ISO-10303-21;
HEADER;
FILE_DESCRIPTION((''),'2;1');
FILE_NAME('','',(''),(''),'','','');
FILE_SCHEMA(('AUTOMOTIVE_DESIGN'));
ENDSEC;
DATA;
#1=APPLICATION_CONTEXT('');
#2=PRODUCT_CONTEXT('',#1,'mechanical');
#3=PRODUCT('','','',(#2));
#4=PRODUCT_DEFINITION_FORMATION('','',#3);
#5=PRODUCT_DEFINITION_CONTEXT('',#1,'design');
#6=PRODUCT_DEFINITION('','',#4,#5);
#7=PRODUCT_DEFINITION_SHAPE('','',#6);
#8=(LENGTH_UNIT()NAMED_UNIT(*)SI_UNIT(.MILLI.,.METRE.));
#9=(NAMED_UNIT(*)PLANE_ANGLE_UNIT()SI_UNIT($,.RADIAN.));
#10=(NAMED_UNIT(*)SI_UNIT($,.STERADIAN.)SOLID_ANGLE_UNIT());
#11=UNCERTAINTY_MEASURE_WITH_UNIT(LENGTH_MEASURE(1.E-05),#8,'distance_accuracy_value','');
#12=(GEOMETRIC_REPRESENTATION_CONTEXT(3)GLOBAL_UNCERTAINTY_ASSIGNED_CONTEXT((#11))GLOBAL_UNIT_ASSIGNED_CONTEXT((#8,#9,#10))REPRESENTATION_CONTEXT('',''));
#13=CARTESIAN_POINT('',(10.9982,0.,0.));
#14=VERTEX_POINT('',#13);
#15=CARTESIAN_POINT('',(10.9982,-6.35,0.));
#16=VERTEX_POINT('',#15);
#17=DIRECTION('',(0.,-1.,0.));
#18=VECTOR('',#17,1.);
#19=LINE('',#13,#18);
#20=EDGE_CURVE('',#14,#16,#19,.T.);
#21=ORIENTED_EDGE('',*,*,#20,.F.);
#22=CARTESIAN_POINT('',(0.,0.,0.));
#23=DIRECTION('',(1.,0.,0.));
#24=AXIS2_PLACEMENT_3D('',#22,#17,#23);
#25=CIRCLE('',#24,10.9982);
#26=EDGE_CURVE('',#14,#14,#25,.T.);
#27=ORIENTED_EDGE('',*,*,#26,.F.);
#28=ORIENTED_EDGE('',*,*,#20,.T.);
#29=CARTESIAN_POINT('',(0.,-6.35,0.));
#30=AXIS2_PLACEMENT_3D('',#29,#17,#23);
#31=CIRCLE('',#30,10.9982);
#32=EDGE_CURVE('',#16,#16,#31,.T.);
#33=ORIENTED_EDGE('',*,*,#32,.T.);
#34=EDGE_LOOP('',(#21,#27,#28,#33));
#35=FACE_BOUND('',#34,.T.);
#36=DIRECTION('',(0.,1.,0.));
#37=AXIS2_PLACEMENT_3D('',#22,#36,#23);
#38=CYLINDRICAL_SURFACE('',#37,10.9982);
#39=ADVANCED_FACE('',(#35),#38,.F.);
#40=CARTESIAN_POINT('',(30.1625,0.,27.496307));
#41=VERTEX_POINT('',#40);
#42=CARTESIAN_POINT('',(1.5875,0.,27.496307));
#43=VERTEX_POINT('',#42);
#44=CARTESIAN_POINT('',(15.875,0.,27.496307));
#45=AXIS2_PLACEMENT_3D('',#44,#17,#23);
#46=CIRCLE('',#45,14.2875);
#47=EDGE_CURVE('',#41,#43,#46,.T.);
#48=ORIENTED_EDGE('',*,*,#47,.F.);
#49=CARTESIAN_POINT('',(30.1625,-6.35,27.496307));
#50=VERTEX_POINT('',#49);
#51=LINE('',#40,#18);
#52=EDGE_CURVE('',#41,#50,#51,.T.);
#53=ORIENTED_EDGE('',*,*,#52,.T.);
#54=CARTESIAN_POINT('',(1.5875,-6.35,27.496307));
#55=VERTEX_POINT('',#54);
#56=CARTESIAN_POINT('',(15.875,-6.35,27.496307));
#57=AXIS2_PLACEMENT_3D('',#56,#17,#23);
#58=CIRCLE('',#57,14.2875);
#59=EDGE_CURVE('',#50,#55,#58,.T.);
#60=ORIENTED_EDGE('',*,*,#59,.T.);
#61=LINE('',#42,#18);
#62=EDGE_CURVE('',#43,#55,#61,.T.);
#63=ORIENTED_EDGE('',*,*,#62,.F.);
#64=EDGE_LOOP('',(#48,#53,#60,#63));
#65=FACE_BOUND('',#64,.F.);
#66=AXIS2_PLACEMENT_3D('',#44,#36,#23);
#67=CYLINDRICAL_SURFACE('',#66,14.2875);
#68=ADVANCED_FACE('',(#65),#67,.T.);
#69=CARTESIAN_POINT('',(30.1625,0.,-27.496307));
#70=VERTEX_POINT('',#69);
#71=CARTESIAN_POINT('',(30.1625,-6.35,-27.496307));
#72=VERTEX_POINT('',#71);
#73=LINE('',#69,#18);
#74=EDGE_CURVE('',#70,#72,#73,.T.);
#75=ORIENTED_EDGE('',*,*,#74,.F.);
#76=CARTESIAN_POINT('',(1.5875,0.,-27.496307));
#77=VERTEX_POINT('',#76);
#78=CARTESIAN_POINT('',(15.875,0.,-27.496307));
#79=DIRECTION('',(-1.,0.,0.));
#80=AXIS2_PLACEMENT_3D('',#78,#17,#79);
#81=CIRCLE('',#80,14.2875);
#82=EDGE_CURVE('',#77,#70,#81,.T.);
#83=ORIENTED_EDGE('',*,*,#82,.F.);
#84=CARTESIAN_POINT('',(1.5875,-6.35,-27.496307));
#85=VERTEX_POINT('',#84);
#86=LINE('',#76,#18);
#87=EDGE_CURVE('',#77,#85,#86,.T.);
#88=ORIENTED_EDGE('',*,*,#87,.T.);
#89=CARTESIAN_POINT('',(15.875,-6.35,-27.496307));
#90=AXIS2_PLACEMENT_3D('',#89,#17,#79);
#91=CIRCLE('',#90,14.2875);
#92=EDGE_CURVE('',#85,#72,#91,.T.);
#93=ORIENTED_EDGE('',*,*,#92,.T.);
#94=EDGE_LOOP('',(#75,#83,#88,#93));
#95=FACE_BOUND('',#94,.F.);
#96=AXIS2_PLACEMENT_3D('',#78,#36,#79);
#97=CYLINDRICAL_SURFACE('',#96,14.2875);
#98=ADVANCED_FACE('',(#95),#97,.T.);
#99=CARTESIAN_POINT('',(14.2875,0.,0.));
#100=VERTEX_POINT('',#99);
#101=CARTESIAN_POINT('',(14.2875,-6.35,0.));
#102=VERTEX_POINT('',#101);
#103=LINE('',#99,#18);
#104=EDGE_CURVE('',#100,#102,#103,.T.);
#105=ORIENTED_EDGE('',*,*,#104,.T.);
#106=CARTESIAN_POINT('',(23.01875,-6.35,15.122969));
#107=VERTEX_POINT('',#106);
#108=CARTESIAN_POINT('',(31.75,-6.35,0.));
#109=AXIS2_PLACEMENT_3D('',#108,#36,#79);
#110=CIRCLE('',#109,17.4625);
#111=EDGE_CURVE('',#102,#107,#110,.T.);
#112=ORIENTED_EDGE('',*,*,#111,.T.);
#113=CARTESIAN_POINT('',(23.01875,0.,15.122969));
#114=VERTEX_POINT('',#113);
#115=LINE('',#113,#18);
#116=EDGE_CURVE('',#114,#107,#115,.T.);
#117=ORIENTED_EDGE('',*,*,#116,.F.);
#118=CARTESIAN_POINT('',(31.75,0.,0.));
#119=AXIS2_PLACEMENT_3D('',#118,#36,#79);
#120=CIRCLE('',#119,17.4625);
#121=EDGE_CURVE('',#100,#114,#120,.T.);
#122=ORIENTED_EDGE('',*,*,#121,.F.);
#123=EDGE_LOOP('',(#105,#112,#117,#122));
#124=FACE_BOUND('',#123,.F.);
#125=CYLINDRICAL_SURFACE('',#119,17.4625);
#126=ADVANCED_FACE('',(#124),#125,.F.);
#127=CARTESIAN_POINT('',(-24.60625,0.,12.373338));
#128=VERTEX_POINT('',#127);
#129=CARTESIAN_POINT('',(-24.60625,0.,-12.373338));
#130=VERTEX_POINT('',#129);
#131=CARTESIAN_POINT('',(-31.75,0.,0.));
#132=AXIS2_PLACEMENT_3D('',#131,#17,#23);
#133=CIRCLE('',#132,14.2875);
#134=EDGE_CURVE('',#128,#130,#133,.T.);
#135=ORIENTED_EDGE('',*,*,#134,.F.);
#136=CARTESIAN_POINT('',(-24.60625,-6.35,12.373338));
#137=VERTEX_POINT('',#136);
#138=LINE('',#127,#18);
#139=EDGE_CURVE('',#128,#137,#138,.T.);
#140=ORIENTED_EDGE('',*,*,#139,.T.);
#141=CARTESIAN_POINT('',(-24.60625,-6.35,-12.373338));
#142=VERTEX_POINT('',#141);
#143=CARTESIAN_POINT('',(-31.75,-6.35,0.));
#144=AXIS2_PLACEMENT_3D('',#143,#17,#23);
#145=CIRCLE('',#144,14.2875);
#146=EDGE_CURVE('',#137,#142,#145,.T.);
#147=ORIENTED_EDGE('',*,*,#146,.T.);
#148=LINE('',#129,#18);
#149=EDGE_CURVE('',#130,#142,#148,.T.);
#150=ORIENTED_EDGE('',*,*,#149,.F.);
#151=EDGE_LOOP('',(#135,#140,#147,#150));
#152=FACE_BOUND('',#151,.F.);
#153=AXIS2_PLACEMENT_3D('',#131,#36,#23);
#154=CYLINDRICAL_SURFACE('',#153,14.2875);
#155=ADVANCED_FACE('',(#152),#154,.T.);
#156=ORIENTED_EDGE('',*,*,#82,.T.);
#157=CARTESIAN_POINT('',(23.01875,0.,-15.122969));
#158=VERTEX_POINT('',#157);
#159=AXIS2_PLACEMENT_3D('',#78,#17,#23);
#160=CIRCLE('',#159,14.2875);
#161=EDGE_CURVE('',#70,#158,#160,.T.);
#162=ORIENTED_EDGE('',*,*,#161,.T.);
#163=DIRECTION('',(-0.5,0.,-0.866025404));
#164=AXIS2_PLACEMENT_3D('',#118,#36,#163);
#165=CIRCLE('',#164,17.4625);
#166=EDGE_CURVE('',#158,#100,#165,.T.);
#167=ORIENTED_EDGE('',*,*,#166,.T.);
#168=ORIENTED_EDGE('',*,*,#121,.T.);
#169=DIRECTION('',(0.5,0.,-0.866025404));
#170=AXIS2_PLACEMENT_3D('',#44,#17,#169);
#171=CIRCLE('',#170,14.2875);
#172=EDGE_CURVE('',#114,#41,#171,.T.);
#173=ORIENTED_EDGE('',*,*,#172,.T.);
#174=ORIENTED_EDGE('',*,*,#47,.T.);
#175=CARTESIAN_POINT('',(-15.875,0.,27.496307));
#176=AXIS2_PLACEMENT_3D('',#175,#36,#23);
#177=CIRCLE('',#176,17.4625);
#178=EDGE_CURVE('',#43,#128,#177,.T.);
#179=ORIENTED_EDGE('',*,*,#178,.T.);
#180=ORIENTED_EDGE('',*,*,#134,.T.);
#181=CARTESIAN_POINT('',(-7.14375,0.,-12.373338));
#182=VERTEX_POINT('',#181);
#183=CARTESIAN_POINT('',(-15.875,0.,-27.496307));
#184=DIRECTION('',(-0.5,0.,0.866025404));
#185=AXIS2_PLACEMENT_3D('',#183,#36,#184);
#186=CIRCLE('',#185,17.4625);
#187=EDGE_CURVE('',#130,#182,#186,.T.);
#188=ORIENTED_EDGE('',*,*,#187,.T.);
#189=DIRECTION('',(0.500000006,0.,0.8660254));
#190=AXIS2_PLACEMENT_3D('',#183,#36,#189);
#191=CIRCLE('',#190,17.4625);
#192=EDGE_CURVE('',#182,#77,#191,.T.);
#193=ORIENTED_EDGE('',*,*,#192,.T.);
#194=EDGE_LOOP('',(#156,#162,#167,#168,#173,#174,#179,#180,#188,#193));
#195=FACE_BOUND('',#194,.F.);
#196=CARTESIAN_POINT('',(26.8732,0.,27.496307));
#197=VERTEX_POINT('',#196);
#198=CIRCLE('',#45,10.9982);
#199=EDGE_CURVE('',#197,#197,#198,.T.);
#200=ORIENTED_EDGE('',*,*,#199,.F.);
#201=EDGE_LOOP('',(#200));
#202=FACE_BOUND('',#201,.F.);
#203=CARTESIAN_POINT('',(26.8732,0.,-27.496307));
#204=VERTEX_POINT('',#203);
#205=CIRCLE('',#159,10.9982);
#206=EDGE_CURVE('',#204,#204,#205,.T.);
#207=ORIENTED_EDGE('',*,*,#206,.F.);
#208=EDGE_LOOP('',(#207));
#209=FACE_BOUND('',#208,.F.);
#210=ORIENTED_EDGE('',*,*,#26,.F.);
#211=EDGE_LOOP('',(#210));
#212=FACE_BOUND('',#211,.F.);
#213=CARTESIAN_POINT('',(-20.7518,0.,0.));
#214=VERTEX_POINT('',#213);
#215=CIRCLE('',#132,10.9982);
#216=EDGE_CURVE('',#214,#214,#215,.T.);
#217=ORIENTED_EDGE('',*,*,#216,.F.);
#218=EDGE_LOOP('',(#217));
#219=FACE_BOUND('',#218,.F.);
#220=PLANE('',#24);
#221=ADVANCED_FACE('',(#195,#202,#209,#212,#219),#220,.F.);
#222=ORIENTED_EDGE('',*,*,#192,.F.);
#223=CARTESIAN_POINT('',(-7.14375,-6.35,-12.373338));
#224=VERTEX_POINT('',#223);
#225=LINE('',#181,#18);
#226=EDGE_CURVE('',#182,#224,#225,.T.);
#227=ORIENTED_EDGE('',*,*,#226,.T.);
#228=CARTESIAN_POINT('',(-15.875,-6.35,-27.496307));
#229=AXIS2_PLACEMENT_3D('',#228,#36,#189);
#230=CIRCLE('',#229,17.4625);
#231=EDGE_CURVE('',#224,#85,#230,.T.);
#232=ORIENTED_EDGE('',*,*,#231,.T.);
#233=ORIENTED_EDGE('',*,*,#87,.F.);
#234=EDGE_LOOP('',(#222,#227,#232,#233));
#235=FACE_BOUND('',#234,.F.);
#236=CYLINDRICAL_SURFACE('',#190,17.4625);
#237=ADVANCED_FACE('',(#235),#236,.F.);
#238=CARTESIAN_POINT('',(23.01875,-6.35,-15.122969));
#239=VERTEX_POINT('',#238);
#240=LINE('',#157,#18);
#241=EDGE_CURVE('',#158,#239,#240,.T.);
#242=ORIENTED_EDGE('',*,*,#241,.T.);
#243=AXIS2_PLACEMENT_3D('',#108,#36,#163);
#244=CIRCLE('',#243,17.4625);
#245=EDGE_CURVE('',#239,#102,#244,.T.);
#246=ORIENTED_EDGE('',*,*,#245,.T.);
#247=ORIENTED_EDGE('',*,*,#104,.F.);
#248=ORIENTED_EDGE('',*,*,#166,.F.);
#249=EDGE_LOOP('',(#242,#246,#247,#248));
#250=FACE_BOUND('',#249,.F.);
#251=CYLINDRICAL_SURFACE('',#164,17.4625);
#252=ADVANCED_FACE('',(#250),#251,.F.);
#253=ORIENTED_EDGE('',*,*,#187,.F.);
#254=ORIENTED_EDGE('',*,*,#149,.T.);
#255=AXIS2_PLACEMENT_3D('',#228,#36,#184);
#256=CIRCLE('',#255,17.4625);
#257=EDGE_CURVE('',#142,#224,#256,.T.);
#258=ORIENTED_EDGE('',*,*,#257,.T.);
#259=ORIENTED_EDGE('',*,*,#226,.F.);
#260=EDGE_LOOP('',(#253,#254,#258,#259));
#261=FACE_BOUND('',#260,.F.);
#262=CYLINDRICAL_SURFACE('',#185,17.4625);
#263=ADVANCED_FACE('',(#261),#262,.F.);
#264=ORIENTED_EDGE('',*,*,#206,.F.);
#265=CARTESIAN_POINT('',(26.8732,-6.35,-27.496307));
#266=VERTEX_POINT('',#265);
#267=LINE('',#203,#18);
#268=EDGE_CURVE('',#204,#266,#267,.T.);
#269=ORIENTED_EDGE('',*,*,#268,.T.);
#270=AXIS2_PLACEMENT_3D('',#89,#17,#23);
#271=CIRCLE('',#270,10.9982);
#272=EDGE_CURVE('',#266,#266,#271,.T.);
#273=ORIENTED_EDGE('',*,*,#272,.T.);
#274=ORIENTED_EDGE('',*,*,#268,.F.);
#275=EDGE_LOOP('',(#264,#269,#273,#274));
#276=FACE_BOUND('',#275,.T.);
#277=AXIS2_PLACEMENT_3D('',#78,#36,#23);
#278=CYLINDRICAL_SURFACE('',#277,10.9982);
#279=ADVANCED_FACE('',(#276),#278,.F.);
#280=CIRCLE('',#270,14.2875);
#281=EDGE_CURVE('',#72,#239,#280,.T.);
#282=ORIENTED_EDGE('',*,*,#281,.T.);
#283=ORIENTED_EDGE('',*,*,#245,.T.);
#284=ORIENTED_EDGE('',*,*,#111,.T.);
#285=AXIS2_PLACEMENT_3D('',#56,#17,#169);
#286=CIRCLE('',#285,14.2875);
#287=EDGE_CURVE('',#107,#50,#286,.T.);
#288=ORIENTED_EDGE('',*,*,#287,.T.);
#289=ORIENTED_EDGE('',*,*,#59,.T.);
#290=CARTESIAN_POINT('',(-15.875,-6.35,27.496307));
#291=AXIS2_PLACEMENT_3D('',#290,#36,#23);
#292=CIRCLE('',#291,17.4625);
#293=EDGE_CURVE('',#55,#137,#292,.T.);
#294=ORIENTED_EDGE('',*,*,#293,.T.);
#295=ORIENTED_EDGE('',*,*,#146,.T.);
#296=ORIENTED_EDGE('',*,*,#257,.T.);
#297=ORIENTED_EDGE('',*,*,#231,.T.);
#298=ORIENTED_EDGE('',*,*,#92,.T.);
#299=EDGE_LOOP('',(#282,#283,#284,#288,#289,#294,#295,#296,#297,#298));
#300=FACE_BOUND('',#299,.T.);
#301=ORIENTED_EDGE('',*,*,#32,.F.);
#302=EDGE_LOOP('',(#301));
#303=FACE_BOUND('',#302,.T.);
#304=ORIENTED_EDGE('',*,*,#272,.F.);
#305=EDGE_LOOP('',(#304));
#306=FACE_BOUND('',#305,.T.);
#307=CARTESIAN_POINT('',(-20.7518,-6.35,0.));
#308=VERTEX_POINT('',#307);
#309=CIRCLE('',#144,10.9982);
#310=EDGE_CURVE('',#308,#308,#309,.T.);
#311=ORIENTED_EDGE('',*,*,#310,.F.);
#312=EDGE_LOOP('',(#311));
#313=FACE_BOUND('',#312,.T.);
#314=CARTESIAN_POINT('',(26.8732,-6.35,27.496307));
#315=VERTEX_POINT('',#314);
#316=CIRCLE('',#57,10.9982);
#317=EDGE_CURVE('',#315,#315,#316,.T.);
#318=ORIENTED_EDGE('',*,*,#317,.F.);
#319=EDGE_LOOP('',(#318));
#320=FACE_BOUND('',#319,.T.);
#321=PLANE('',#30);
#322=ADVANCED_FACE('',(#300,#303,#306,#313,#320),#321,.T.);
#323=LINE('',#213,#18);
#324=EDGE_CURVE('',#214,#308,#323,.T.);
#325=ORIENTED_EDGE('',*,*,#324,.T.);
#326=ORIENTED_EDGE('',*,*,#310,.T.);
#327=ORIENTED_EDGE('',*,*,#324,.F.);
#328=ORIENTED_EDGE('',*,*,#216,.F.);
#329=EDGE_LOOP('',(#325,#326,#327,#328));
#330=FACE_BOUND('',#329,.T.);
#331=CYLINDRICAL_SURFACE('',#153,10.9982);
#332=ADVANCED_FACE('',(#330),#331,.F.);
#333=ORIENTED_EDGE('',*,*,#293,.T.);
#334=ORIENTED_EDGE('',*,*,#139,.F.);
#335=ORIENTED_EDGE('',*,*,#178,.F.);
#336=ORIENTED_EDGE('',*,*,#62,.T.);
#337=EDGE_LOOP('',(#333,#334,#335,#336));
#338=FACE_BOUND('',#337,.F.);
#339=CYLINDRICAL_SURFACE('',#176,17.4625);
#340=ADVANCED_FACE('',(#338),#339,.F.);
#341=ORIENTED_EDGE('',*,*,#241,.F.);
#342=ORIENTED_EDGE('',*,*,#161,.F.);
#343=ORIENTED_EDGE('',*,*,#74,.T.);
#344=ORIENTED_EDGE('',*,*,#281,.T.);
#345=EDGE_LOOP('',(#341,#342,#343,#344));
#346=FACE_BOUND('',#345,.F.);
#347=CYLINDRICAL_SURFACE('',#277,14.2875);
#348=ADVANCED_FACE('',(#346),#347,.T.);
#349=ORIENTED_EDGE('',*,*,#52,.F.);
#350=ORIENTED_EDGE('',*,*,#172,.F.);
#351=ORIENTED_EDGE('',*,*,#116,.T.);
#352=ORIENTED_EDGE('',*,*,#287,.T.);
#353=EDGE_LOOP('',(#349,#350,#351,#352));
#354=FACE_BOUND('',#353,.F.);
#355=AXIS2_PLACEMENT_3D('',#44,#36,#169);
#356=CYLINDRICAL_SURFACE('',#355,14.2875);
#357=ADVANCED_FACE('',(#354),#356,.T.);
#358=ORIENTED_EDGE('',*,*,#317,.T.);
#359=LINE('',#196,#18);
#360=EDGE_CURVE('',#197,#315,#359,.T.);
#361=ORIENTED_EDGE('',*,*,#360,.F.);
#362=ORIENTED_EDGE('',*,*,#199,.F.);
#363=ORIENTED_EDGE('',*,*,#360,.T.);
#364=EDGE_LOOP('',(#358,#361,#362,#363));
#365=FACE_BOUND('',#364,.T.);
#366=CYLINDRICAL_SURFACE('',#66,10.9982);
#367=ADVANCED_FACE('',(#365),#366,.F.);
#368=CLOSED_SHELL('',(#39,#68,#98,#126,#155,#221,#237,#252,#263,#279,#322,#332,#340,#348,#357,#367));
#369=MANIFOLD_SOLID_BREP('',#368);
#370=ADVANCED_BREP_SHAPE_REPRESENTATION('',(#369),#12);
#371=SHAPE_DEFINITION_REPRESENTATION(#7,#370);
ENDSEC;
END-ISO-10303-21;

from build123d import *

# Parameters (mm, degrees)
F0_R     = 10.9982
F1_DEPTH = 6.35


with BuildPart() as f1:
    # F0 (on Front) → F1 (new body)
    with BuildSketch(Plane.XZ):
        with BuildLine():
            ThreePointArc((-7.1437498937, -12.3733380179), (7.1437500531, -12.3733379259), (14.2875, 0))
            ThreePointArc((14.2875, 0), (7.1437499995, 12.3733379569), (-7.143750001, 12.373337956))
            ThreePointArc((-7.143750001, 12.373337956), (-14.2875, -6.19e-08), (-7.1437498937, -12.3733380179))
        make_face()
        Circle(F0_R, mode=Mode.SUBTRACT)
        with BuildLine():
            ThreePointArc((23.01875, -15.1229686136), (16.6270313864, -8.73125), (14.2875, 0))
            ThreePointArc((14.2875, 0), (7.1437500531, -12.3733379259), (-7.1437498937, -12.3733380179))
            ThreePointArc((-7.1437498937, -12.3733380179), (-0.7520313557, -18.7650566233), (1.5875, -27.4963065702))
            ThreePointArc((1.5875, -27.4963065702), (8.73125, -15.1229686136), (23.01875, -15.1229686136))
        make_face()
        with BuildLine():
            ThreePointArc((-7.143750001, 12.373337956), (7.1437499995, 12.3733379569), (14.2875, 0))
            ThreePointArc((14.2875, 0), (16.6270313864, 8.73125), (23.01875, 15.1229686136))
            ThreePointArc((23.01875, 15.1229686136), (8.73125, 15.1229686136), (1.5875, 27.4963065702))
            ThreePointArc((1.5875, 27.4963065702), (-0.7520313867, 18.7650565696), (-7.143750001, 12.373337956))
        make_face()
        with BuildLine():
            ThreePointArc((-7.1437498937, -12.3733380179), (-14.2875, -6.19e-08), (-7.143750001, 12.373337956))
            ThreePointArc((-7.143750001, 12.373337956), (-15.8750000006, 10.0338065702), (-24.60625, 12.3733379566))
            ThreePointArc((-24.60625, 12.3733379566), (-19.3766620434, 7.14375), (-17.4625, 0))
            ThreePointArc((-17.4625, 0), (-19.3766620434, -7.14375), (-24.60625, -12.3733379566))
            ThreePointArc((-24.60625, -12.3733379566), (-15.8749999387, -10.0338065702), (-7.1437498937, -12.3733380179))
        make_face()
        with BuildLine():
            ThreePointArc((1.5875, 27.4963065702), (8.73125, 15.1229686136), (23.01875, 15.1229686136))
            ThreePointArc((23.01875, 15.1229686136), (28.2483379566, 20.3525565702), (30.1625, 27.4963065702))
            ThreePointArc((30.1625, 27.4963065702), (15.875, 41.7838065702), (1.5875, 27.4963065702))
        make_face()
        with Locations((15.875, 27.4963065702)):
            Circle(F0_R, mode=Mode.SUBTRACT)
        with BuildLine():
            ThreePointArc((30.1625, -27.4963065702), (28.2483379566, -20.3525565702), (23.01875, -15.1229686136))
            ThreePointArc((23.01875, -15.1229686136), (8.73125, -15.1229686136), (1.5875, -27.4963065702))
            ThreePointArc((1.5875, -27.4963065702), (15.875, -41.7838065702), (30.1625, -27.4963065702))
        make_face()
        with Locations((15.875, -27.4963065702)):
            Circle(F0_R, mode=Mode.SUBTRACT)
        with BuildLine():
            ThreePointArc((-17.4625, 0), (-19.3766620434, 7.14375), (-24.60625, 12.3733379566))
            ThreePointArc((-24.60625, 12.3733379566), (-46.0375, 0), (-24.60625, -12.3733379566))
            ThreePointArc((-24.60625, -12.3733379566), (-19.3766620434, -7.14375), (-17.4625, 0))
        make_face()
        with Locations((-31.75, 0)):
            Circle(F0_R, mode=Mode.SUBTRACT)
    extrude(amount=F1_DEPTH)


solid = f1.part
